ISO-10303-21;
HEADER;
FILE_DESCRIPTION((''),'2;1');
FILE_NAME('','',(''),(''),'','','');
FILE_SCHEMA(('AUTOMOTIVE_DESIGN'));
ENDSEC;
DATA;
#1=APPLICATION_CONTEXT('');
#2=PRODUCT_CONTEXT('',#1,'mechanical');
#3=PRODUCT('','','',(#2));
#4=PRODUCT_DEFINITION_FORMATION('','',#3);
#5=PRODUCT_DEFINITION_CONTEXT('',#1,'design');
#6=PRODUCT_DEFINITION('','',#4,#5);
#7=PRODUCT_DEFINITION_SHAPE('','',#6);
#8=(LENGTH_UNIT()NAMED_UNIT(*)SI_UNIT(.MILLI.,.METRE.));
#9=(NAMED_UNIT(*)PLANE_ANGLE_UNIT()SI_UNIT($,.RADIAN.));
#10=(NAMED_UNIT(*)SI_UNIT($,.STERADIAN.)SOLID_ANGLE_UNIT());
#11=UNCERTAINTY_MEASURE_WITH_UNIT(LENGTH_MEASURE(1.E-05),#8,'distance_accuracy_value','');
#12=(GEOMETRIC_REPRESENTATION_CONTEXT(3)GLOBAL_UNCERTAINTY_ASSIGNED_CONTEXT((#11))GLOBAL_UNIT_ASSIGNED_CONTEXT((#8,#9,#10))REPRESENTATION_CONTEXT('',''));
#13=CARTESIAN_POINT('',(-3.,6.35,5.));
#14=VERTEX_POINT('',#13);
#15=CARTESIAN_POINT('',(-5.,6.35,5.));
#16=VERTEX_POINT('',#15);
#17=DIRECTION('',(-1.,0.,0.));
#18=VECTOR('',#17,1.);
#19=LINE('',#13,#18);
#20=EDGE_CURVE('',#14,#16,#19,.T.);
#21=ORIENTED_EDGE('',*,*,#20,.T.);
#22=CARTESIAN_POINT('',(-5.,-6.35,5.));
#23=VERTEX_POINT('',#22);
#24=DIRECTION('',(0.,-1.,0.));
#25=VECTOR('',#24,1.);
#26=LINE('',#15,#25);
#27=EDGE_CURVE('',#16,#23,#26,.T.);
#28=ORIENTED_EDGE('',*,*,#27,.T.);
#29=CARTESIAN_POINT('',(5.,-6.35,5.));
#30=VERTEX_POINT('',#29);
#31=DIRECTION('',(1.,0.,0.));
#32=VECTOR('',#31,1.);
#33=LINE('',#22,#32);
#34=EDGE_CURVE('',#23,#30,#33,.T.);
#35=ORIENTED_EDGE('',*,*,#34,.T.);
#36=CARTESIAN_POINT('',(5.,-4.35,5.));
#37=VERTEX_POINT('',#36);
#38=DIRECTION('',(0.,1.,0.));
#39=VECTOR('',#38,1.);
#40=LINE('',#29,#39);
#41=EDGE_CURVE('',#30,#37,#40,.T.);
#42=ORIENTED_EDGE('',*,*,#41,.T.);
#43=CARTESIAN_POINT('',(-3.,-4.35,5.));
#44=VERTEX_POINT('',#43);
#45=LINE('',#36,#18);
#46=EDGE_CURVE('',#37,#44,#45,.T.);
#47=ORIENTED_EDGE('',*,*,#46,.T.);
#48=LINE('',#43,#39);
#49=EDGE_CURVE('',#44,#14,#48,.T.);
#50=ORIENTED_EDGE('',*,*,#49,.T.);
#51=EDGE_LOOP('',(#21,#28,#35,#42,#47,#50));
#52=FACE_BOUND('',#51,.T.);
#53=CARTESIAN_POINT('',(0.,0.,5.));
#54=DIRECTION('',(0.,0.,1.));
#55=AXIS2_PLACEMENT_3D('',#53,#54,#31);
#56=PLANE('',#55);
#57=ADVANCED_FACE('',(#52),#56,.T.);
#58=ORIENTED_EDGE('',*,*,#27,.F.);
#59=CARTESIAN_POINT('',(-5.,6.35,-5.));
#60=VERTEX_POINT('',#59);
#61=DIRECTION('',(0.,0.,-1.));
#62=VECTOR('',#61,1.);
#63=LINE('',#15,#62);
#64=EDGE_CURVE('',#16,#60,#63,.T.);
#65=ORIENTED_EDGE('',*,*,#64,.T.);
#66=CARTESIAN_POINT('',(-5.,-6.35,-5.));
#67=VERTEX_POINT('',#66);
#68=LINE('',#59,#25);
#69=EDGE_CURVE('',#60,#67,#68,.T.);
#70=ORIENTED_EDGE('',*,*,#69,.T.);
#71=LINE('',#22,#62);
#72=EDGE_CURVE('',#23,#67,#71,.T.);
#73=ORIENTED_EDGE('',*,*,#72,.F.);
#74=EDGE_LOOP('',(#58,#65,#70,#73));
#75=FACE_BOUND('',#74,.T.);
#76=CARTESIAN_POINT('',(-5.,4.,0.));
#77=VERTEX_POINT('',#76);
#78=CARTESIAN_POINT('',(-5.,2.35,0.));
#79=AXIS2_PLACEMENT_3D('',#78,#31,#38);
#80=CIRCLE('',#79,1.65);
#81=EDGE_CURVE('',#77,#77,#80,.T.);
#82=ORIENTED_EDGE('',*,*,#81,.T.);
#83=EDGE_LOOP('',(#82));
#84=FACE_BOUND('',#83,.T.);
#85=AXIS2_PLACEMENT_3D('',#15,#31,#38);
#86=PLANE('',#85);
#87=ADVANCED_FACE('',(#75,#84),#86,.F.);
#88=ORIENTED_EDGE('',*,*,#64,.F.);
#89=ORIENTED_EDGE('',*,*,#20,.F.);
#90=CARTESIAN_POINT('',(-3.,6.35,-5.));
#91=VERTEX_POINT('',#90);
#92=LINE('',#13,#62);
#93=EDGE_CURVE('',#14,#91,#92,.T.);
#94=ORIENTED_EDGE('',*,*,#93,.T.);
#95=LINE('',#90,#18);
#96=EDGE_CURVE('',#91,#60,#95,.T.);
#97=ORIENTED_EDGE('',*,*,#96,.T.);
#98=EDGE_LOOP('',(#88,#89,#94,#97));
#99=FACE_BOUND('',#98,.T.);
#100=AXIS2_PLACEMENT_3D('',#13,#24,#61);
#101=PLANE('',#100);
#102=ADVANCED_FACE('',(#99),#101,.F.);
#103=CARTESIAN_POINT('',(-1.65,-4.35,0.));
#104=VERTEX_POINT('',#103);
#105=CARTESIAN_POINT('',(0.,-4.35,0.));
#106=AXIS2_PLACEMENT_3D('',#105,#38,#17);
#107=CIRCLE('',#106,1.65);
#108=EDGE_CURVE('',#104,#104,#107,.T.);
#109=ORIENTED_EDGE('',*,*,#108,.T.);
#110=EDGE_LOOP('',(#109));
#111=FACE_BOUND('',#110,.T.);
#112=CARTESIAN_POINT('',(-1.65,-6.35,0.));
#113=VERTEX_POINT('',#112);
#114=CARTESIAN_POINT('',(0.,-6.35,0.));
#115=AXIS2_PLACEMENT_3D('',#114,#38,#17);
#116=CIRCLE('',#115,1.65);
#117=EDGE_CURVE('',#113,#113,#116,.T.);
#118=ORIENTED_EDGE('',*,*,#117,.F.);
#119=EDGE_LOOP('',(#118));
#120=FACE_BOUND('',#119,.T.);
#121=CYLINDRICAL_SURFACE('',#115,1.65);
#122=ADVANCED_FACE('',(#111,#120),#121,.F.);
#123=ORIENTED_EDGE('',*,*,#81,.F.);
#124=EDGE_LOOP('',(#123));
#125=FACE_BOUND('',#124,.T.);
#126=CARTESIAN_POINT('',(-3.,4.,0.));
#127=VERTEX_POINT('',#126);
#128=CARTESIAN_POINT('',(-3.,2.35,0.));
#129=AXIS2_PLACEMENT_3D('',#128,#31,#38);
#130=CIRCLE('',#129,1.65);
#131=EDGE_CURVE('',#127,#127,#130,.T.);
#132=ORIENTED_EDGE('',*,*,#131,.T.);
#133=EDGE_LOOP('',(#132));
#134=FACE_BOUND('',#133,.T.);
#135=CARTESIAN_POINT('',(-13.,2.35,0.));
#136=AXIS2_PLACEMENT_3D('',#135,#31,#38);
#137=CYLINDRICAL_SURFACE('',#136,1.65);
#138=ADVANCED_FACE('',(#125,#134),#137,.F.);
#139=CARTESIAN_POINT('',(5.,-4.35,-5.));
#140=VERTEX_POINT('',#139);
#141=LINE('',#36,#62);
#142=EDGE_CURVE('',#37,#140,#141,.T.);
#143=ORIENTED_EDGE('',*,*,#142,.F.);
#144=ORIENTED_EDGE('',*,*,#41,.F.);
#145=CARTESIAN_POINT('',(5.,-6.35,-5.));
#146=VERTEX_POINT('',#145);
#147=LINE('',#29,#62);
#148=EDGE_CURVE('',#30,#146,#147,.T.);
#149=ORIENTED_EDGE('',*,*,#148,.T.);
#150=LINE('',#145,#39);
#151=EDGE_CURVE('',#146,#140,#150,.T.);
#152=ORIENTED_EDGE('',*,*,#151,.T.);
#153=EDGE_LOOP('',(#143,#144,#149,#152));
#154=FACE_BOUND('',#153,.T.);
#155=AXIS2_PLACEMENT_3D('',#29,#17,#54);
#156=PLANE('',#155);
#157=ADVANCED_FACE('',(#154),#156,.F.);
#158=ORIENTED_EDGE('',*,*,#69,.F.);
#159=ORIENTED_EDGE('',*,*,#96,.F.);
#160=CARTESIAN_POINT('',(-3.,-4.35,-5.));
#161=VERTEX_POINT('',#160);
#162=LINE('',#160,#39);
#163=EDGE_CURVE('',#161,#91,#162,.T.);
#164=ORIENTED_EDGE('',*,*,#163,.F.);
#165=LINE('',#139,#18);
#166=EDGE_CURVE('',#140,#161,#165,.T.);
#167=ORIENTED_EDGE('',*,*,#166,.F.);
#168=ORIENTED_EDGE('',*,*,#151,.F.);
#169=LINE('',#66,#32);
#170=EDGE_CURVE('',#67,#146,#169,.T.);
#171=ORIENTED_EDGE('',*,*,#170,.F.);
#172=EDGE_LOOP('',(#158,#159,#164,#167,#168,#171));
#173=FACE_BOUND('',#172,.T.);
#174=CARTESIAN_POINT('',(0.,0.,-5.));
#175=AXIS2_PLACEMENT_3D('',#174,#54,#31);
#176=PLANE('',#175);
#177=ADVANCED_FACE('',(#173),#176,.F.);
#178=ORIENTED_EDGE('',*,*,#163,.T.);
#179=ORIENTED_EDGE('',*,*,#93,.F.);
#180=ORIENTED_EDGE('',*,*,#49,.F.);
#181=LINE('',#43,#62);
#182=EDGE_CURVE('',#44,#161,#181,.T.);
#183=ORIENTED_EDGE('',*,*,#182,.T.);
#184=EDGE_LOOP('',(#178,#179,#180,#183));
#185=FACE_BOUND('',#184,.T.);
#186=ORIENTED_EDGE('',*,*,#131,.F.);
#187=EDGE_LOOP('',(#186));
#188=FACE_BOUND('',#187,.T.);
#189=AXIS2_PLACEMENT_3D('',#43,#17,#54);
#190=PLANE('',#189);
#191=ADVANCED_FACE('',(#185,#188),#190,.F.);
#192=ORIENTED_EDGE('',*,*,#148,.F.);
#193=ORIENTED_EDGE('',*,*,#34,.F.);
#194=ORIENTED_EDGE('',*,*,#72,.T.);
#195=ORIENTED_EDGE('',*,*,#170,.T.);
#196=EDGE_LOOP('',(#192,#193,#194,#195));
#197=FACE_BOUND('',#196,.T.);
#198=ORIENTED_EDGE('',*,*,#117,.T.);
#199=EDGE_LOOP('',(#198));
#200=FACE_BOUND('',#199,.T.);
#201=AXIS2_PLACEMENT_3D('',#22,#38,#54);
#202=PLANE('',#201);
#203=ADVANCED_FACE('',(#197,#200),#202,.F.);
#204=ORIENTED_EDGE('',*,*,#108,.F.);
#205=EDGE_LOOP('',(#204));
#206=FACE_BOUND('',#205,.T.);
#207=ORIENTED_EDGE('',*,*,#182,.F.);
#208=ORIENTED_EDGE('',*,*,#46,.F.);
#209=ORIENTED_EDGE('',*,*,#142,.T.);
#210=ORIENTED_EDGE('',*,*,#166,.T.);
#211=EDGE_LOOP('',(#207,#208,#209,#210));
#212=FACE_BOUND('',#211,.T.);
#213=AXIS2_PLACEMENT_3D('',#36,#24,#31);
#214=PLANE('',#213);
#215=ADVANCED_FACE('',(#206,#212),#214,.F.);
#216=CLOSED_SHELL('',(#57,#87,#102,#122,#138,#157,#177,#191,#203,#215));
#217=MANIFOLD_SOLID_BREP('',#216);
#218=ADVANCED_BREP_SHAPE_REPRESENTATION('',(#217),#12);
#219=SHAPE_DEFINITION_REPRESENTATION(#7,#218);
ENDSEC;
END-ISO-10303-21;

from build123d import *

# Parameters (mm, degrees)
BOSS_EXTRUDE1_DEPTH = 5
SKETCH2_R           = 1.65
CUT_EXTRUDE1_DEPTH  = 3
SKETCH3_R           = 1.65
CUT_EXTRUDE2_DEPTH  = 10


with BuildPart() as part:
    # Sketch1 → Boss-Extrude1 (new body, symmetric)
    with BuildSketch(Plane.XY):
        Polygon((-5, 6.35), (-5, -6.35), (5, -6.35), (5, -4.35), (-3, -4.35), (-3, 6.35), align=None)
    extrude(amount=BOSS_EXTRUDE1_DEPTH, both=True)

    # Sketch2 → Cut-Extrude1 (cut, through all)
    with BuildSketch(Plane(origin=(0, -4.35, 0), x_dir=(1, 0, 0), z_dir=(0, 1, 0))):
        Circle(SKETCH2_R)
    extrude(amount=-CUT_EXTRUDE1_DEPTH, mode=Mode.SUBTRACT)

    # Sketch3 → Cut-Extrude2 (cut)
    with BuildSketch(Plane(origin=(-3, 0, 0), x_dir=(0, 0, -1), z_dir=(1, 0, 0))):
        with Locations((0, 2.35)):
            Circle(SKETCH3_R)
    extrude(amount=-CUT_EXTRUDE2_DEPTH, mode=Mode.SUBTRACT)


solid = part.part
